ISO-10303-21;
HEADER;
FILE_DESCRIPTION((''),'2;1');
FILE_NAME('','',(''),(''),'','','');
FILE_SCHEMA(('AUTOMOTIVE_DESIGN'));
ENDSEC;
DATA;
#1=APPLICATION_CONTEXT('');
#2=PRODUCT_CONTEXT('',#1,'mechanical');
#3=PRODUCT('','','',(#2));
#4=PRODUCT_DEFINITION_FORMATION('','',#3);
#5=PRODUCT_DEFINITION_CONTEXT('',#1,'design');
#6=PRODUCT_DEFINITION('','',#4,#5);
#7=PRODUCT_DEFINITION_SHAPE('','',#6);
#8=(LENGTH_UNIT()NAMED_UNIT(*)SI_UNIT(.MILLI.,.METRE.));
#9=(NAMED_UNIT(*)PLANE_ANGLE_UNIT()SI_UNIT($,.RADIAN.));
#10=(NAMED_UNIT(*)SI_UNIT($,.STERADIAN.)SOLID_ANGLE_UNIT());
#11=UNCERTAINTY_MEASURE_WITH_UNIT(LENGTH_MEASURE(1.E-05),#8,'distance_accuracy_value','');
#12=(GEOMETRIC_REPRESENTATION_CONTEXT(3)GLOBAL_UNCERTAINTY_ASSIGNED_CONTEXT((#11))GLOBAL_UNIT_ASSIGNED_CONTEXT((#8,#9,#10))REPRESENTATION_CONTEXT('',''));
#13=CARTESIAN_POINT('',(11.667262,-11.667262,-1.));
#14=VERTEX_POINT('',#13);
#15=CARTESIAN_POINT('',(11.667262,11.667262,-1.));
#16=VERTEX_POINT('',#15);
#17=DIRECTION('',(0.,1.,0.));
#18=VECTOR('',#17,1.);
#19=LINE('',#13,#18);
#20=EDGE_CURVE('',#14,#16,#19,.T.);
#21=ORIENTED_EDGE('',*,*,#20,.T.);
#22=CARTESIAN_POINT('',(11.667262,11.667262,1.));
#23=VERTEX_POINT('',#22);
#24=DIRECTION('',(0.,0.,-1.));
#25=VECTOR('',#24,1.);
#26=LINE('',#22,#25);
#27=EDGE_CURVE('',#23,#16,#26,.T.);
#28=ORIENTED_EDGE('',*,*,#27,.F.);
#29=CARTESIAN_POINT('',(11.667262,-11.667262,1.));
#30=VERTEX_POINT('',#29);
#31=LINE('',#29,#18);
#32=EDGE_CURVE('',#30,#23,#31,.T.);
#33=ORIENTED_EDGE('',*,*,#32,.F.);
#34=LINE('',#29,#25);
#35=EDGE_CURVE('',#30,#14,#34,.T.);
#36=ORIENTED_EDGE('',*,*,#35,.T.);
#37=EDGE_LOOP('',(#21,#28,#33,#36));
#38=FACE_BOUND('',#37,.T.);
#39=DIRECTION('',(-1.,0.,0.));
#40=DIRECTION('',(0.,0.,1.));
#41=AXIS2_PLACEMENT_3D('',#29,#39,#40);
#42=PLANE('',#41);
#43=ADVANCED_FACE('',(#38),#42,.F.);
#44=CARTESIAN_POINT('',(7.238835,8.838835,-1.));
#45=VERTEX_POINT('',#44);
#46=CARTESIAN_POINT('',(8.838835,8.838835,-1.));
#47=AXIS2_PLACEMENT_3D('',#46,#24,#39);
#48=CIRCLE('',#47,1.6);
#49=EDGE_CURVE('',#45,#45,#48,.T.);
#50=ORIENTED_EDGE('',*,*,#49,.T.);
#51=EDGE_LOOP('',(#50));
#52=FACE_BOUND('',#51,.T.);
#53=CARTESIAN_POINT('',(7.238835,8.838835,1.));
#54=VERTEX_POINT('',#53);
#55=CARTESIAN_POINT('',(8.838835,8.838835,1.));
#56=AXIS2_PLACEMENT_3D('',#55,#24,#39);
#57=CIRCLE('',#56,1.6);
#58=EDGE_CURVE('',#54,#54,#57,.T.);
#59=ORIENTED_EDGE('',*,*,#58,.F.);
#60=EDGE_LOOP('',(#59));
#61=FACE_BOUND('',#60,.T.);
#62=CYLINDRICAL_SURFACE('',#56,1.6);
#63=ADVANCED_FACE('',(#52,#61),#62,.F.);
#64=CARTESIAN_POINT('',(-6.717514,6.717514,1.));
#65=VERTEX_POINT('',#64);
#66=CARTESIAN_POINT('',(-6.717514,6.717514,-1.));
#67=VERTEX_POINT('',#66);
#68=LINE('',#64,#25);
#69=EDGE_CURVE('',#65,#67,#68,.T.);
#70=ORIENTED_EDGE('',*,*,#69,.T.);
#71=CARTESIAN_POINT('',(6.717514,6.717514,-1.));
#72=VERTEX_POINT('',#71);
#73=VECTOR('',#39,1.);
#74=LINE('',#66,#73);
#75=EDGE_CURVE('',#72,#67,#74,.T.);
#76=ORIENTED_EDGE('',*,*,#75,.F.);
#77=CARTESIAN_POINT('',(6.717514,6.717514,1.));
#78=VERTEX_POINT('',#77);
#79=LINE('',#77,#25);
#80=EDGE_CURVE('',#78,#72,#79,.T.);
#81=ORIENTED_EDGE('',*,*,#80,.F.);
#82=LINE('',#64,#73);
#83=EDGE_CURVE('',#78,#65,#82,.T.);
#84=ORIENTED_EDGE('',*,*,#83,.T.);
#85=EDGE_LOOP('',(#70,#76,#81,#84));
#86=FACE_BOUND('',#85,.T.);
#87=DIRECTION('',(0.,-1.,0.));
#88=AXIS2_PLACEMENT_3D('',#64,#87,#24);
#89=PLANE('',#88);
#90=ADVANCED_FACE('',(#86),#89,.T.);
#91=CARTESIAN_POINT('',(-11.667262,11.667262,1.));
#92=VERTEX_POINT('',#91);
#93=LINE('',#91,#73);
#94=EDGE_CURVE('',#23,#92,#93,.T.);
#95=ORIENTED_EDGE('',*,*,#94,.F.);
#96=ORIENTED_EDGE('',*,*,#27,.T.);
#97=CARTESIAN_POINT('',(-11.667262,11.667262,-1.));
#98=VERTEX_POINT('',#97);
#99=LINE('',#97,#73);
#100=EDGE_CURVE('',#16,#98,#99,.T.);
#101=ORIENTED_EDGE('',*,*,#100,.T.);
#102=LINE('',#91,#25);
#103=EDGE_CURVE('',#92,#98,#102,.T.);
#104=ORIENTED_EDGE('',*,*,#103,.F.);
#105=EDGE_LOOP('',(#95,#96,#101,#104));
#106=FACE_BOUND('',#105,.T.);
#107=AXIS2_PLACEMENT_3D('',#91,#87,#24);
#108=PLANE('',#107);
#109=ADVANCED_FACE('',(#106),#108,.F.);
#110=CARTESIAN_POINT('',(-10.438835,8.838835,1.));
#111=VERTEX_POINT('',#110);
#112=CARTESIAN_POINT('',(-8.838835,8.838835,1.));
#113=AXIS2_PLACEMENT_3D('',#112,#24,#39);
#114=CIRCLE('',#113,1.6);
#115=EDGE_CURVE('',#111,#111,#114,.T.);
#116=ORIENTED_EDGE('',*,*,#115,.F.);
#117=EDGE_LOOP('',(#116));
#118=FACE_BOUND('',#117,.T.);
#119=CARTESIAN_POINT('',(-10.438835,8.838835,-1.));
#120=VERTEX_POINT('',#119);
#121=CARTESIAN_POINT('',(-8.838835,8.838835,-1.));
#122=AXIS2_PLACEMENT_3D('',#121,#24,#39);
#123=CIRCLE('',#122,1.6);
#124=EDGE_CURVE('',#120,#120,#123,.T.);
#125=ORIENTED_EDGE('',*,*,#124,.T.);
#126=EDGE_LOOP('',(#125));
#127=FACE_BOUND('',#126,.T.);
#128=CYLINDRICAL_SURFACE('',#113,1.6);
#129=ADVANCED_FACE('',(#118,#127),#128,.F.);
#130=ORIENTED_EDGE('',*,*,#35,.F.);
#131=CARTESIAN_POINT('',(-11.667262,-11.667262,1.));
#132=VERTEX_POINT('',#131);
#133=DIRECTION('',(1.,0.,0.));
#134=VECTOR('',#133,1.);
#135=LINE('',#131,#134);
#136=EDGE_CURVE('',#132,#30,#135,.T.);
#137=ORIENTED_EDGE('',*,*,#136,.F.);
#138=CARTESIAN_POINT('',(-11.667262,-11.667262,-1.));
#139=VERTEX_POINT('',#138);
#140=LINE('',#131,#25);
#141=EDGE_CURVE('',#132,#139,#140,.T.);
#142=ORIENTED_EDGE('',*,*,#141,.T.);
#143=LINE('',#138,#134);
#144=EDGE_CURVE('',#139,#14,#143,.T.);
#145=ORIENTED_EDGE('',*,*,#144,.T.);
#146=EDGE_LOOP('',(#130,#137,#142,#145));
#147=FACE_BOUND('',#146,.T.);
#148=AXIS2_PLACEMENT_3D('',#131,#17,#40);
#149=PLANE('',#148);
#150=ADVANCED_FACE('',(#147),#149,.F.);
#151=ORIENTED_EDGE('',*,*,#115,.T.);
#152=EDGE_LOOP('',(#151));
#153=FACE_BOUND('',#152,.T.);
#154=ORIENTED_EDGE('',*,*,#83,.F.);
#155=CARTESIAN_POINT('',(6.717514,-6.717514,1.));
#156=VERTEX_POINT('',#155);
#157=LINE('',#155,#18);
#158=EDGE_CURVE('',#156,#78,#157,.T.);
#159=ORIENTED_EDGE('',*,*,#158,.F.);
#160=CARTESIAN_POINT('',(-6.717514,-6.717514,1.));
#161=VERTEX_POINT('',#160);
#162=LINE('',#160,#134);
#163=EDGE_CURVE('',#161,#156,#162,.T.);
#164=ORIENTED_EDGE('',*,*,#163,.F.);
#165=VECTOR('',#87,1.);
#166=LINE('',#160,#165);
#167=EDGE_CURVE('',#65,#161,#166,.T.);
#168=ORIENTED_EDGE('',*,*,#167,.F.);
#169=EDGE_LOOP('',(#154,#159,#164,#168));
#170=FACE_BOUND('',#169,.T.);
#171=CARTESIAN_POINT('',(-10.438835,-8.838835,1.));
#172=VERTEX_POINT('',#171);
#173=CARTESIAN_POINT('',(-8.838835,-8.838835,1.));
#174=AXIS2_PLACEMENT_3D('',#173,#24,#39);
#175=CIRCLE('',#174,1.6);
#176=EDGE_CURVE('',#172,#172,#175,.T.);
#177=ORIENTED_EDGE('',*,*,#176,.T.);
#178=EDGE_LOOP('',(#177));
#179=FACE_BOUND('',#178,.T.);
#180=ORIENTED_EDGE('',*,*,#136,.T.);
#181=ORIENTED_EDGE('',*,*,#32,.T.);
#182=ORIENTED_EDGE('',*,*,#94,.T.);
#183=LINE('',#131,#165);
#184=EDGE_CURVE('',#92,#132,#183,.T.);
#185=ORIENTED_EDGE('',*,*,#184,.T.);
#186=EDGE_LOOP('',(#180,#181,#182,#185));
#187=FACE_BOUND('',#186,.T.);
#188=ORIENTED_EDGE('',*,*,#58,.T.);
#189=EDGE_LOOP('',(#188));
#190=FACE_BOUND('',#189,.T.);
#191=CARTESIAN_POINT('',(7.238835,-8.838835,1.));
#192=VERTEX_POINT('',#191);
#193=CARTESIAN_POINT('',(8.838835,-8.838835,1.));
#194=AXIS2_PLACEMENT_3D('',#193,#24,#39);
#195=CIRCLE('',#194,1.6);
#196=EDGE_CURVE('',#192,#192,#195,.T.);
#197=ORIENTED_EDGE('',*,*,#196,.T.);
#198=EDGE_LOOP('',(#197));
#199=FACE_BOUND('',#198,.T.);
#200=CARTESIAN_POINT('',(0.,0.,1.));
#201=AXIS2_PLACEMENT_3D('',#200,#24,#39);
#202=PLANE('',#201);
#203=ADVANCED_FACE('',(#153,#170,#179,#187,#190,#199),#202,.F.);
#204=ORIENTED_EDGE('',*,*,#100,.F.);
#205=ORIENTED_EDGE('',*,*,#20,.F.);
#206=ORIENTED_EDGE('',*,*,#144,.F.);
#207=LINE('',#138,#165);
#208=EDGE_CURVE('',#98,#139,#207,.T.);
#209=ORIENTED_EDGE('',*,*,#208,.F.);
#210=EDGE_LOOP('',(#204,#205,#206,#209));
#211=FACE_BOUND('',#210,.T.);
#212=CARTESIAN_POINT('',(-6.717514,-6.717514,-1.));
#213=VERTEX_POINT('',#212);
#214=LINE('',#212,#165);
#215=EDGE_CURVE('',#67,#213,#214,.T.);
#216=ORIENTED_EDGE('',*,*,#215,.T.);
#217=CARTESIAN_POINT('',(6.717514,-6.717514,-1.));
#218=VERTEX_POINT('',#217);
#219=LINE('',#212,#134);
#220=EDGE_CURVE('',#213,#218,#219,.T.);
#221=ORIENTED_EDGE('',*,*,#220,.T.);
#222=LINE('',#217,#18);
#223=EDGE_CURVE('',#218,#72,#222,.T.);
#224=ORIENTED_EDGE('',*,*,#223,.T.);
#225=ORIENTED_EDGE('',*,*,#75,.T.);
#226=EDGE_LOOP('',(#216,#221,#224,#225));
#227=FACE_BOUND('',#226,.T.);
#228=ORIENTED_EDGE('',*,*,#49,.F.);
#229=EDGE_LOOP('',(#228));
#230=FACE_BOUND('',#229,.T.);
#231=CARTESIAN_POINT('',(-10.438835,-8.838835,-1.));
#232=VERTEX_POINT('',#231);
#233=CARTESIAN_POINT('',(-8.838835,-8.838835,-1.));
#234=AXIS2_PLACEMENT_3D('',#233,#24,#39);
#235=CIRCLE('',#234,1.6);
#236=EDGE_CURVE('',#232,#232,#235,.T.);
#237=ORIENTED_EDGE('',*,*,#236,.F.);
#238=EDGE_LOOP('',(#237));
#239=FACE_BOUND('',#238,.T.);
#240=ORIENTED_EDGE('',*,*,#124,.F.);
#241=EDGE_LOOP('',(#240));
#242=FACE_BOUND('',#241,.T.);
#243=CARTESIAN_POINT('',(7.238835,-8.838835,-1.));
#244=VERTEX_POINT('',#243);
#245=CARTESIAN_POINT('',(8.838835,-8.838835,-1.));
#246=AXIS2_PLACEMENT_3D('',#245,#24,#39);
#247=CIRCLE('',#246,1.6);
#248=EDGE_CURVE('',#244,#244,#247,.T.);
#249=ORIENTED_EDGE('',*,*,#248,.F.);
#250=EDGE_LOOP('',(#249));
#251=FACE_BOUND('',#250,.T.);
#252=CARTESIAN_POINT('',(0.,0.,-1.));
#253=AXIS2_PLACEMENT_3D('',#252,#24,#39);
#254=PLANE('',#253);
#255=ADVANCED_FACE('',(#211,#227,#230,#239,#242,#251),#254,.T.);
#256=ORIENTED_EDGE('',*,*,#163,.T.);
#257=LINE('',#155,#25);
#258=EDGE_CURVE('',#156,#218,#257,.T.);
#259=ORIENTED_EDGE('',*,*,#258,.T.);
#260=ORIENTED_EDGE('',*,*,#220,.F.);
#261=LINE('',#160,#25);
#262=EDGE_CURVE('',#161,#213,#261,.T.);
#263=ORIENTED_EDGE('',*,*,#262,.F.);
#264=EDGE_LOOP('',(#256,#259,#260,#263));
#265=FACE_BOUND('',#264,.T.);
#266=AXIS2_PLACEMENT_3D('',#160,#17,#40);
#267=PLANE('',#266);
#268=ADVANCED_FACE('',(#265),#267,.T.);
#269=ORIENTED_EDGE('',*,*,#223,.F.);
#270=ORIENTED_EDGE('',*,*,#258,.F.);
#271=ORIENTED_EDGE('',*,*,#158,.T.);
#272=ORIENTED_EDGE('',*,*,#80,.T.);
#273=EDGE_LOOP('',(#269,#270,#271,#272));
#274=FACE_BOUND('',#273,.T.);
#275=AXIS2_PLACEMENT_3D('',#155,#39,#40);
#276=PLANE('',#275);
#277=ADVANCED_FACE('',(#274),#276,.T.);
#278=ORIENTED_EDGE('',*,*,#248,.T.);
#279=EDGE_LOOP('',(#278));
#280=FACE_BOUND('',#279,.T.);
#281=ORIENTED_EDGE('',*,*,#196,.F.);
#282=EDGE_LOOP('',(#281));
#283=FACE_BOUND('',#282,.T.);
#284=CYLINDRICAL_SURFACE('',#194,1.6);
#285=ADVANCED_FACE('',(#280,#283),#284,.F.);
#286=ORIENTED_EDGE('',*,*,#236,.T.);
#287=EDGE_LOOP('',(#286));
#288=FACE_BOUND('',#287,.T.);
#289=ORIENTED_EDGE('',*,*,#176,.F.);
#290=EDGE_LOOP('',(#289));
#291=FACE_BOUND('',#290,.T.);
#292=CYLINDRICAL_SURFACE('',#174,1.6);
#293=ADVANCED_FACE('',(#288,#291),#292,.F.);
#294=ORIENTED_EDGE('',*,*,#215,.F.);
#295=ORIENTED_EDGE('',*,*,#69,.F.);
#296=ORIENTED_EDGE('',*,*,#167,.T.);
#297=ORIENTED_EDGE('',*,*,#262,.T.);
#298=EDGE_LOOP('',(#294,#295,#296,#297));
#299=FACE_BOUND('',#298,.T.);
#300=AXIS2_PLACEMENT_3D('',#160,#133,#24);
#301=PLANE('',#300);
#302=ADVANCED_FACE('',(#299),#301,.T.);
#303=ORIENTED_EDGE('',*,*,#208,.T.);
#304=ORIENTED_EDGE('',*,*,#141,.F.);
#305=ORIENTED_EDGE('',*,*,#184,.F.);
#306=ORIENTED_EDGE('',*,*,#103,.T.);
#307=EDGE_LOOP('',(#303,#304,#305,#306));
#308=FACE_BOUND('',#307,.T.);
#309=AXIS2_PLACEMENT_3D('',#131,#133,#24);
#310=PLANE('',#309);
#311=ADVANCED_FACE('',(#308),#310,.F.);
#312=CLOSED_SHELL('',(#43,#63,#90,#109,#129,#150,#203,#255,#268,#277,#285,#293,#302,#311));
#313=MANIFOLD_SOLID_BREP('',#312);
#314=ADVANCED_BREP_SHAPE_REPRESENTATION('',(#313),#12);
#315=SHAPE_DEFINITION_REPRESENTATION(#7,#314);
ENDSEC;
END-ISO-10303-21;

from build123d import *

# Parameters (mm, degrees)
SKETCH1_W           = 23.33452378
SKETCH1_H           = 23.33452378
SKETCH1_W_2         = 13.435028842
SKETCH1_H_2         = 13.435028842
BOSS_EXTRUDE1_DEPTH = 1
SKETCH2_R           = 1.6
CUT_EXTRUDE1_DEPTH  = 3


with BuildPart() as part:
    # Sketch1 → Boss-Extrude1 (new body, symmetric)
    with BuildSketch(Plane.XY):
        Rectangle(SKETCH1_W, SKETCH1_H)
        Rectangle(SKETCH1_W_2, SKETCH1_H_2, mode=Mode.SUBTRACT)
    extrude(amount=BOSS_EXTRUDE1_DEPTH, both=True)

    # Sketch2 → Cut-Extrude1 (cut, through all)
    with BuildSketch(Plane(origin=(0, 0, -1), x_dir=(-1, 0, 0), z_dir=(0, 0, -1))):
        with Locations((8.838834765, -8.838834765)):
            Circle(SKETCH2_R)
        with Locations((8.838834765, 8.838834765)):
            Circle(SKETCH2_R)
        with Locations((-8.838834765, -8.838834765)):
            Circle(SKETCH2_R)
        with Locations((-8.838834765, 8.838834765)):
            Circle(SKETCH2_R)
    extrude(amount=-CUT_EXTRUDE1_DEPTH, mode=Mode.SUBTRACT)


solid = part.part
